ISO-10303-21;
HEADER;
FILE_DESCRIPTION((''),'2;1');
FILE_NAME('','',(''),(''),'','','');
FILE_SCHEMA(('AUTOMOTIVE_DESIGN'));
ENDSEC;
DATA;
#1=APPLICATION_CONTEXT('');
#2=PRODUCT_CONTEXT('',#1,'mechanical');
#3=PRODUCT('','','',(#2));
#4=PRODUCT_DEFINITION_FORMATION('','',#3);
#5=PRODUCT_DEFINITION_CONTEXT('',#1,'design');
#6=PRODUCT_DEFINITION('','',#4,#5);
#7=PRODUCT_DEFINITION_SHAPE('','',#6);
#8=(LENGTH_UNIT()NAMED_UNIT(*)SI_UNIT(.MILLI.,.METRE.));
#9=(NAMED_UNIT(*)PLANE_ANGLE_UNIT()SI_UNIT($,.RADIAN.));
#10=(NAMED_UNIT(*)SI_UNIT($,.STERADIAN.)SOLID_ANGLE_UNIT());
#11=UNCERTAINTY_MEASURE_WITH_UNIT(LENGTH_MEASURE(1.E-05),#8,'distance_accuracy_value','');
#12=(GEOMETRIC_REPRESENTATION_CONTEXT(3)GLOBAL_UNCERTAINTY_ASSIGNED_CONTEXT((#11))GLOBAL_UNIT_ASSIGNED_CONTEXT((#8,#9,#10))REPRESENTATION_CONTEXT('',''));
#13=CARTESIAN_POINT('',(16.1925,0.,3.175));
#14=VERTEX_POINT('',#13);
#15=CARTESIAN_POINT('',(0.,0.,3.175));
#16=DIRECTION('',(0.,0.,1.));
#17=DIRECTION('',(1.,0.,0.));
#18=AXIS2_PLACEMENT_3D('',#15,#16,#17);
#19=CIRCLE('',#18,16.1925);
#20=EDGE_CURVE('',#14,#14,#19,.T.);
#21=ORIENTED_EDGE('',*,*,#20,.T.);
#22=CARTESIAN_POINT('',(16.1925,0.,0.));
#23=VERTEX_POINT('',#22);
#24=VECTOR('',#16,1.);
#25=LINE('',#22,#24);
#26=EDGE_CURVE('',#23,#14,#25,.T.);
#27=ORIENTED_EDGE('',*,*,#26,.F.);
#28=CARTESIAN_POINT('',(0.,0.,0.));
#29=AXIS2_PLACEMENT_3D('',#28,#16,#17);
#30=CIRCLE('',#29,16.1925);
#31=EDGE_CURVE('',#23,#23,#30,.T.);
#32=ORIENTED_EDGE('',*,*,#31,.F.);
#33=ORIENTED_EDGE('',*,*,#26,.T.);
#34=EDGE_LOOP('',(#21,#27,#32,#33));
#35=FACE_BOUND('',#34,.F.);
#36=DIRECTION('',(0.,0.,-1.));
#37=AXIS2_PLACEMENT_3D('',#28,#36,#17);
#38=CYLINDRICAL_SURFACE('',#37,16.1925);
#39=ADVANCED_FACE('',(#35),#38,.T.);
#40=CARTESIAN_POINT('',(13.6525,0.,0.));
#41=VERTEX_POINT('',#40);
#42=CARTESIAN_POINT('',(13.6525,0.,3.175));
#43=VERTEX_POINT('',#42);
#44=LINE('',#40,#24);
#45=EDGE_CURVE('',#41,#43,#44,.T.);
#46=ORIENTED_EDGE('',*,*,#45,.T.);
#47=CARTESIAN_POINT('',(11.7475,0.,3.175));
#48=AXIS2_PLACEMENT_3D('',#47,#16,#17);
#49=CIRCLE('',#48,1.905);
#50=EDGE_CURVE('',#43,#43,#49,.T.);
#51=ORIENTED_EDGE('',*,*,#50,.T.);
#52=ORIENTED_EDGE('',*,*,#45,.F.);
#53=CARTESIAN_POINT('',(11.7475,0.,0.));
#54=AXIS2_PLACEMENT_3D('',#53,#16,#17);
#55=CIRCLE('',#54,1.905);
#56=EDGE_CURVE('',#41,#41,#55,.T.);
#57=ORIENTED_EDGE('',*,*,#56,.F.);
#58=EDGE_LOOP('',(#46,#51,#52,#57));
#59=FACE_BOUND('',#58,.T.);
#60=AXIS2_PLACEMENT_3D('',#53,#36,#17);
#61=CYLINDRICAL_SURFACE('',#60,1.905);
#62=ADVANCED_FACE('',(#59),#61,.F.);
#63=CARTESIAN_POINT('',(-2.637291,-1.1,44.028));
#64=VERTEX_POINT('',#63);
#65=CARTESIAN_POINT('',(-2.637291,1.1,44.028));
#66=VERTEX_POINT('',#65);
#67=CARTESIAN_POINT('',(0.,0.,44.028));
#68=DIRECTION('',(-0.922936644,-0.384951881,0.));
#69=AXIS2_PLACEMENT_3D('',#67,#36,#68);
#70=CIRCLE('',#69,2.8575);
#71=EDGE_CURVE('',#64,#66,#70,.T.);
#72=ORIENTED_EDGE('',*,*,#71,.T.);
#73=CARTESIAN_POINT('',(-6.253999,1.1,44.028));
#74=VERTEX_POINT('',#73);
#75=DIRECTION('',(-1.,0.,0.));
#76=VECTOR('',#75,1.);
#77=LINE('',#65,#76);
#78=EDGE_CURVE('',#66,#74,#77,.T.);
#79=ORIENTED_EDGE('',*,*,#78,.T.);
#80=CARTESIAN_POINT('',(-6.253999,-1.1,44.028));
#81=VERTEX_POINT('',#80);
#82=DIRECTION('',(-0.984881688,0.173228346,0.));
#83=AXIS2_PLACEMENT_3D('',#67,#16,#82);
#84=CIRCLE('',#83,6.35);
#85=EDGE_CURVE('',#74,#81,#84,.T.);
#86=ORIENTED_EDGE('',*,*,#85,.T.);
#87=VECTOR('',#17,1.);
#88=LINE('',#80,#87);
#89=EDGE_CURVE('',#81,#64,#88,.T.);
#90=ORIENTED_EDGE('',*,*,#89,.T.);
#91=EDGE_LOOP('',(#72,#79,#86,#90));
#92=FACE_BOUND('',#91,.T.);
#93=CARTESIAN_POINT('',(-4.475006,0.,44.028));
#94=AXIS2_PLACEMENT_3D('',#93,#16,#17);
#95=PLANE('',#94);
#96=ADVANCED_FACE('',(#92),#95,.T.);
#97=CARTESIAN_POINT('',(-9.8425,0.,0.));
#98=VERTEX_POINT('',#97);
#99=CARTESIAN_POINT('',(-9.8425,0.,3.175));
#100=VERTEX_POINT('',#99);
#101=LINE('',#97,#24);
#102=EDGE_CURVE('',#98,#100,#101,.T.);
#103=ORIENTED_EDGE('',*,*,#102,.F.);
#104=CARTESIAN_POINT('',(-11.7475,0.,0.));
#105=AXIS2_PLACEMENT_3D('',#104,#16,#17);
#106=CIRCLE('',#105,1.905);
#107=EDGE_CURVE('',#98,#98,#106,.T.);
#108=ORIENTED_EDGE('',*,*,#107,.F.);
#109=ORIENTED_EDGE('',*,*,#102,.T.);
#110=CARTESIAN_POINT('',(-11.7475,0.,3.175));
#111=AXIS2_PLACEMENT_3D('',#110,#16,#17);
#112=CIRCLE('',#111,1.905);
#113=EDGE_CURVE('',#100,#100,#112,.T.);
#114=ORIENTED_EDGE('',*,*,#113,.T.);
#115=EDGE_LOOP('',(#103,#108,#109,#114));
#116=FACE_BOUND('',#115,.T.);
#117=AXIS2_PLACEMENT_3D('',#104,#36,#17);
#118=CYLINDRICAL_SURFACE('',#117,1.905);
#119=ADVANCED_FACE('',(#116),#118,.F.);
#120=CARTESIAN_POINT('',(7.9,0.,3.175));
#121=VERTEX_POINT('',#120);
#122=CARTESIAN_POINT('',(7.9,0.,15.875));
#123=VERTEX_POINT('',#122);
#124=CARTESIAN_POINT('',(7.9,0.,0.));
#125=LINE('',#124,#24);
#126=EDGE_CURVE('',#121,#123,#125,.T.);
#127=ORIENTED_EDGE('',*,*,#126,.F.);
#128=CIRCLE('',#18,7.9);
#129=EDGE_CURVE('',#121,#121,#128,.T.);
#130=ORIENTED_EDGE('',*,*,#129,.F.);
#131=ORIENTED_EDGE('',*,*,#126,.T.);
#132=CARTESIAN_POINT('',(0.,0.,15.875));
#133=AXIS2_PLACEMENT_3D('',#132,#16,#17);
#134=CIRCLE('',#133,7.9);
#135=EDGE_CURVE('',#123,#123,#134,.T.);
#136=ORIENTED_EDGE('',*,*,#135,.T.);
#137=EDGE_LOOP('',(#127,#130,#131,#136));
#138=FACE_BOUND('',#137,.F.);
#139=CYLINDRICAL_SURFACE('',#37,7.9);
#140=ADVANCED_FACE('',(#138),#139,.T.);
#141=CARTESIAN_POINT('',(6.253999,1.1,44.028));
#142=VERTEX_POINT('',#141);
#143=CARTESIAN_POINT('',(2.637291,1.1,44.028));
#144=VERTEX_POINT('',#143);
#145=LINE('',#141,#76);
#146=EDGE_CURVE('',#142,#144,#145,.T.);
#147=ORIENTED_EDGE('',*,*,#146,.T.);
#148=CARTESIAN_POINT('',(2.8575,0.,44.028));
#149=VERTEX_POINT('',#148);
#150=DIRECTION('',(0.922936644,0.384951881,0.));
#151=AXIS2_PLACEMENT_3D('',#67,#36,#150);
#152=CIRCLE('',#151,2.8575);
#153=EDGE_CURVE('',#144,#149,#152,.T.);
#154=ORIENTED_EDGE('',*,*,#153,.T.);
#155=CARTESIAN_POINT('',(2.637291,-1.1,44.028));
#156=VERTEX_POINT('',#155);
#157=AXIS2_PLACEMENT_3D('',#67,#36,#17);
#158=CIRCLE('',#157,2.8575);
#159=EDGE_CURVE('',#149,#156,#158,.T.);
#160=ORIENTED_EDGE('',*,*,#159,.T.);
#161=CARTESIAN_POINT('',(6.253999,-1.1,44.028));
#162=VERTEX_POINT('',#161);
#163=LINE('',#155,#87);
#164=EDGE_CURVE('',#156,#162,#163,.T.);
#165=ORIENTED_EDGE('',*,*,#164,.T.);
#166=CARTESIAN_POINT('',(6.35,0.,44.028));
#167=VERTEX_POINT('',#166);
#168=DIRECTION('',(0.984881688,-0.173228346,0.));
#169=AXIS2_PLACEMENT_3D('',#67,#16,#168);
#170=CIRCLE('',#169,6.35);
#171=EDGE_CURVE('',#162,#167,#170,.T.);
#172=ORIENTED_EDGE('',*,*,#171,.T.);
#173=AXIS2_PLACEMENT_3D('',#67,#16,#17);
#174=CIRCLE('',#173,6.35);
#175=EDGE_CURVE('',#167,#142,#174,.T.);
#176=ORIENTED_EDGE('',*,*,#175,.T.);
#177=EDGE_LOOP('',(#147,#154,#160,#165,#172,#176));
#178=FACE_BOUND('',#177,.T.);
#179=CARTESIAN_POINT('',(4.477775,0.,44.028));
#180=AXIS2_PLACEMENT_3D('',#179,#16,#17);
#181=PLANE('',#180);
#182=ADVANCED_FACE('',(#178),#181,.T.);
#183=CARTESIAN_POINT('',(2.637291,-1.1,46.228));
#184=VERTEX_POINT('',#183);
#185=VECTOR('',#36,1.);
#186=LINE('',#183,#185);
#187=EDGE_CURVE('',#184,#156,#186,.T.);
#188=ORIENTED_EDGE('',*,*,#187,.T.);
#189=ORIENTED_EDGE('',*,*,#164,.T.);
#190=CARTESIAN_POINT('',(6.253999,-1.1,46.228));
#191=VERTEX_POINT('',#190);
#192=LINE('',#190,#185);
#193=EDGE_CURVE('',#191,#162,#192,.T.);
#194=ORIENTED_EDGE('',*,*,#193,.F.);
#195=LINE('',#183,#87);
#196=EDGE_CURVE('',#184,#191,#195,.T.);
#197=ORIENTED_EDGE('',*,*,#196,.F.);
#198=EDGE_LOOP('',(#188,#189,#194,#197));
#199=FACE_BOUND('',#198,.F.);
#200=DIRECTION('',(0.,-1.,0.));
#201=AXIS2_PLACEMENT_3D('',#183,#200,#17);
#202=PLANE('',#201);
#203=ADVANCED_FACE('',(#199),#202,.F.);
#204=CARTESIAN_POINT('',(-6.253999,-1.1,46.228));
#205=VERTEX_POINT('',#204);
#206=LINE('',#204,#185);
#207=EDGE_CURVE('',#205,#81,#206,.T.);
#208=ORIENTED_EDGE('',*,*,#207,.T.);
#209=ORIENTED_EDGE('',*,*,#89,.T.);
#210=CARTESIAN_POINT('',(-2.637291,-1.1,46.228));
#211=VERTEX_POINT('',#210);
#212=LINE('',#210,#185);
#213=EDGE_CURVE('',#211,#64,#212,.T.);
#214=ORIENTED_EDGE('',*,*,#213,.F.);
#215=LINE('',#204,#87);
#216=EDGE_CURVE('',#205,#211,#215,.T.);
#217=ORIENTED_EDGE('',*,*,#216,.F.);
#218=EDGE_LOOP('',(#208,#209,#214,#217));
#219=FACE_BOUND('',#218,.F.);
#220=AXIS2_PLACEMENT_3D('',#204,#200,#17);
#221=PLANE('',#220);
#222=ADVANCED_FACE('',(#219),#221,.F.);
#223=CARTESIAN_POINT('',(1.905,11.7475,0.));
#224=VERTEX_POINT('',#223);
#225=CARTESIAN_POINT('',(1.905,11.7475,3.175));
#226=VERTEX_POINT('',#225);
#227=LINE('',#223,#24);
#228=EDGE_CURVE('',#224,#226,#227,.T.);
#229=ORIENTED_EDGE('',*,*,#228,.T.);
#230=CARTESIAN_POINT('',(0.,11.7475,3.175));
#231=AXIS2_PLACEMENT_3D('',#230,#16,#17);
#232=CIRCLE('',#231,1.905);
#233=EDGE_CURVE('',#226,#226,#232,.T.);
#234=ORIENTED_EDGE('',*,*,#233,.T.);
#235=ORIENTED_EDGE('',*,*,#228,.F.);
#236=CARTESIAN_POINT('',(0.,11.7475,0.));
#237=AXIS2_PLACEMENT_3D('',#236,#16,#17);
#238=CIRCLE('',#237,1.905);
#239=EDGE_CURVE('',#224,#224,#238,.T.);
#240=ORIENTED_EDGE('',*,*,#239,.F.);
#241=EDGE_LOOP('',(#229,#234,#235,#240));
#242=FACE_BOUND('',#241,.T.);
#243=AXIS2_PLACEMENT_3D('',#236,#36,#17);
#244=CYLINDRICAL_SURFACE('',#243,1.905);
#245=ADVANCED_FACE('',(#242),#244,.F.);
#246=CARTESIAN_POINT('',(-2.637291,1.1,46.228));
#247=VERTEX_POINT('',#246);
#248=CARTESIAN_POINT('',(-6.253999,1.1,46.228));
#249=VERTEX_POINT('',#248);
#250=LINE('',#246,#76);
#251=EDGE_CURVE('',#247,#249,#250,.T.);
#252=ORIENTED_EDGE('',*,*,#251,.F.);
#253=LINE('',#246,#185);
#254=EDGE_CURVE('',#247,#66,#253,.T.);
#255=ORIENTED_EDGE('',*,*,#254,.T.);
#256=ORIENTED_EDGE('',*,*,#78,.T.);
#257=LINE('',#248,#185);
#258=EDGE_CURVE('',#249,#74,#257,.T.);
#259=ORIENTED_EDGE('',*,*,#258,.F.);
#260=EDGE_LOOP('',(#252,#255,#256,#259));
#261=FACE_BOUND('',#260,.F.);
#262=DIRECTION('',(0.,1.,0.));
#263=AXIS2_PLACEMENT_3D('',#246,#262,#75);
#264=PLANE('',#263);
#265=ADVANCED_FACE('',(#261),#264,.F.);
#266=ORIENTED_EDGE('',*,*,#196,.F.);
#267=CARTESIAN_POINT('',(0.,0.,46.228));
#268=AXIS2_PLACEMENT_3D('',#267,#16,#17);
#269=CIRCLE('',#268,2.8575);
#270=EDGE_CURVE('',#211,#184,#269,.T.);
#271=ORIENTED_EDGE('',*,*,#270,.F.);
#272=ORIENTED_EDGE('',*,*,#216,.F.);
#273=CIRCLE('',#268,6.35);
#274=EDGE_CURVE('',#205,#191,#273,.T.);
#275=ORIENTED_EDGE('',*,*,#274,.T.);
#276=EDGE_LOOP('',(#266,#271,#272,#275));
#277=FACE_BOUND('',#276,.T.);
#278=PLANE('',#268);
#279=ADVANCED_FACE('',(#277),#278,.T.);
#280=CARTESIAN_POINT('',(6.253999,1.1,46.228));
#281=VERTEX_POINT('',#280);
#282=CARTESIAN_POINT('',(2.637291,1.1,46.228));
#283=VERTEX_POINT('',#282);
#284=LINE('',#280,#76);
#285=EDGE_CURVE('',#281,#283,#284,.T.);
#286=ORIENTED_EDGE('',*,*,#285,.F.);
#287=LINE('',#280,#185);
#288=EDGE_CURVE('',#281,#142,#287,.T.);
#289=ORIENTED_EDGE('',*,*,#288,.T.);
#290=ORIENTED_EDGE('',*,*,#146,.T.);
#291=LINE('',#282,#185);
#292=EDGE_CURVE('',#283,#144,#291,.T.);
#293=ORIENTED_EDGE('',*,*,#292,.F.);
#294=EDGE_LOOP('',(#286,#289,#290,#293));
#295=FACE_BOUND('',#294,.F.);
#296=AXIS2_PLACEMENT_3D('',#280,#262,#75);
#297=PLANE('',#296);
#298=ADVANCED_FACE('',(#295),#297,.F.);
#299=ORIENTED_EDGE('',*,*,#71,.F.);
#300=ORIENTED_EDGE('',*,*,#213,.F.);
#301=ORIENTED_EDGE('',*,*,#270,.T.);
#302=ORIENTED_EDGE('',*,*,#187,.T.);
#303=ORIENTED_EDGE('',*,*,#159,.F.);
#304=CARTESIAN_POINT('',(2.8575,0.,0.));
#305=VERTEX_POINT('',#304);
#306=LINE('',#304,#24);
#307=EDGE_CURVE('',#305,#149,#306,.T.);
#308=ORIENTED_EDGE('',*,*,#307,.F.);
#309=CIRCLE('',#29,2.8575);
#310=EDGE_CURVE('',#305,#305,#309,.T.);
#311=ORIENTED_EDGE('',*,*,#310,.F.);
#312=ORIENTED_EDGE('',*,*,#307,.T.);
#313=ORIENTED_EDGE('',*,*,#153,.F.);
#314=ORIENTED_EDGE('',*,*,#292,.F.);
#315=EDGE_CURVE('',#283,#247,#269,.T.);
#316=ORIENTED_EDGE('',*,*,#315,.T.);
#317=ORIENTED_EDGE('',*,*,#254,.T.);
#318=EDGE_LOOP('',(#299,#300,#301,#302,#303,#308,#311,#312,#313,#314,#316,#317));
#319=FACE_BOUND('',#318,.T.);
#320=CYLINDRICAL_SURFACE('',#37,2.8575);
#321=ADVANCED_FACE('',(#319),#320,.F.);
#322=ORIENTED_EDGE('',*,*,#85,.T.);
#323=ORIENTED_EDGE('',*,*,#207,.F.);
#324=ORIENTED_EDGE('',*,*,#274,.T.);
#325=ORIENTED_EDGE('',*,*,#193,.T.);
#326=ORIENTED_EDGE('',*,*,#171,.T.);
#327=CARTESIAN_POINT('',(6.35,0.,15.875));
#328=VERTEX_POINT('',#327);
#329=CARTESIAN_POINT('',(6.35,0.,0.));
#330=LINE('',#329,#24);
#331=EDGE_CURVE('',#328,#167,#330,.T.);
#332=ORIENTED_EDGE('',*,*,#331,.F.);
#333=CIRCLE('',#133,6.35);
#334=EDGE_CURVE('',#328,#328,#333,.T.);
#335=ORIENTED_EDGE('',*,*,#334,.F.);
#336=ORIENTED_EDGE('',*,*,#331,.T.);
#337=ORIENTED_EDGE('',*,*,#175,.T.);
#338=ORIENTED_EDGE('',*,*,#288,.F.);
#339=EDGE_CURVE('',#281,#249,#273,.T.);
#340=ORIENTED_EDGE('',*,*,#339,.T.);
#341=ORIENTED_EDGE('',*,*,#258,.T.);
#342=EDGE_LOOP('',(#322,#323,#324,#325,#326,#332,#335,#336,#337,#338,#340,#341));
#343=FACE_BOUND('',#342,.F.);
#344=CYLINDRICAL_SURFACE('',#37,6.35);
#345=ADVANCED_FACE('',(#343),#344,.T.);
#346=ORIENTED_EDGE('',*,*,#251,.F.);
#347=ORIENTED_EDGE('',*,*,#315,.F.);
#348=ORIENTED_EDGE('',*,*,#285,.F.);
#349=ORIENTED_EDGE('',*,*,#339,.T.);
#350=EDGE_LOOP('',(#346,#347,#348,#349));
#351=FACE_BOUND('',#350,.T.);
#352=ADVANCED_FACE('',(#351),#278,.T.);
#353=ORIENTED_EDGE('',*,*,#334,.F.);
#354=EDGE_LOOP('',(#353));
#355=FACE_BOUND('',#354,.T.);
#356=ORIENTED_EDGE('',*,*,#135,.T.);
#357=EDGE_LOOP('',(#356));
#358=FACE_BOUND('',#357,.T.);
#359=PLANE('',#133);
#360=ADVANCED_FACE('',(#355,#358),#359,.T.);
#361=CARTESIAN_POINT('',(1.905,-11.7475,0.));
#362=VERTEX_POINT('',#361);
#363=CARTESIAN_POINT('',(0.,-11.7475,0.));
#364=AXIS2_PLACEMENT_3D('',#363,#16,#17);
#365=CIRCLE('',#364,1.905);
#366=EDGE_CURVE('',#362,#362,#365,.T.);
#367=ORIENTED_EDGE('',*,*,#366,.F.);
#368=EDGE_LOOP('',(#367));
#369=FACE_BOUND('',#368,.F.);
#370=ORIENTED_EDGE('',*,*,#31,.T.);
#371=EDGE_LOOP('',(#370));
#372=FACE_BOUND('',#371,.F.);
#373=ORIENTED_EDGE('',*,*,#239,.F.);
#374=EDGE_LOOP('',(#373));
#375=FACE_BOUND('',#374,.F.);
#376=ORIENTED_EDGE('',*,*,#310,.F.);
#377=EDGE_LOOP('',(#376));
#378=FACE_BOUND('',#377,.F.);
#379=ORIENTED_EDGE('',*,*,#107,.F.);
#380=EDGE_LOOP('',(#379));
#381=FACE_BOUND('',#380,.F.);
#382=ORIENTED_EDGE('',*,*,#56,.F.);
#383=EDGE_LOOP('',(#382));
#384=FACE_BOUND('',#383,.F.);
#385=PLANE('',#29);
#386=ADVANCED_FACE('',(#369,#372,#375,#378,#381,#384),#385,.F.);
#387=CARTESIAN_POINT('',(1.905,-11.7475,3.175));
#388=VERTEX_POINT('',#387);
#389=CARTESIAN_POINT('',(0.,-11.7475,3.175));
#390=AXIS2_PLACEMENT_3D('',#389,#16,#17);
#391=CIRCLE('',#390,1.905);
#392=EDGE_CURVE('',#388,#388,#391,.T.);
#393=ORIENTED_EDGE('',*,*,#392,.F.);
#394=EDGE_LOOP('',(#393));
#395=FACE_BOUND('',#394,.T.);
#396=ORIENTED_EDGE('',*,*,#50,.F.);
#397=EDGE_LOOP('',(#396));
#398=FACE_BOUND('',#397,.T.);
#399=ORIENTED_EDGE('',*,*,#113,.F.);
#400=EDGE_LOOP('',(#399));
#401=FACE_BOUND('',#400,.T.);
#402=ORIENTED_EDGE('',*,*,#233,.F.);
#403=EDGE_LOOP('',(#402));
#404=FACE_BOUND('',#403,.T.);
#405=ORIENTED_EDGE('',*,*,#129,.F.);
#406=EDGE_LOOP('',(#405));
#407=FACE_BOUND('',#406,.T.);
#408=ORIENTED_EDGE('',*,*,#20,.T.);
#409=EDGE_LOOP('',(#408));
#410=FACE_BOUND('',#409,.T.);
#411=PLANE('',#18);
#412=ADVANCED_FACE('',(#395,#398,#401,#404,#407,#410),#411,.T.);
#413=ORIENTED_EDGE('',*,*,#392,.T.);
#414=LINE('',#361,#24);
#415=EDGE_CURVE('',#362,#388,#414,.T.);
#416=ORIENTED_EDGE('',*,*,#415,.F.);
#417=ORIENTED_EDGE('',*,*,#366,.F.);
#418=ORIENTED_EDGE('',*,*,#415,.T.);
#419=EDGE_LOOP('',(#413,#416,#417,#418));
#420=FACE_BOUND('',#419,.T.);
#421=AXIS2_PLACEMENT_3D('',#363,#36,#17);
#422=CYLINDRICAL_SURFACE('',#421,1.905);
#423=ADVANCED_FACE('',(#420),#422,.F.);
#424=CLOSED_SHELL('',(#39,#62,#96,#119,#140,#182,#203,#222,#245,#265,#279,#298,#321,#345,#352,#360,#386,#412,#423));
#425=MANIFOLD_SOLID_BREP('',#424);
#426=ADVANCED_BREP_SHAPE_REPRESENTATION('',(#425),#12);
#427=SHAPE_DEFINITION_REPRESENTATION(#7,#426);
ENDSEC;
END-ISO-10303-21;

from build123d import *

# Parameters (mm, degrees)
F0_R     = 7.9
F0_R_2   = 6.35
F1_DEPTH = 15.875
F0_R_3   = 2.8575
F2_DEPTH = 46.228
F0_R_4   = 16.1925
F0_R_5   = 1.905
F4_DEPTH = 3.175
F6_DEPTH = 2.2


with BuildPart() as f1:
    # F0 (on Top) → F1 (new body)
    with BuildSketch(Plane.XY):
        Circle(F0_R)
        Circle(F0_R_2, mode=Mode.SUBTRACT)
    extrude(amount=F1_DEPTH)

    # F0 (on Top) → F2 (join)
    with BuildSketch(Plane.XY):
        Circle(F0_R_2)
        Circle(F0_R_3, mode=Mode.SUBTRACT)
    extrude(amount=F2_DEPTH)

    # F0 (on Top) → F4 (join)
    with BuildSketch(Plane.XY):
        Circle(F0_R_4)
        with Locations((0, -11.7475)):
            Circle(F0_R_5, mode=Mode.SUBTRACT)
        with Locations((-11.7475, 0)):
            Circle(F0_R_5, mode=Mode.SUBTRACT)
        Circle(F0_R, mode=Mode.SUBTRACT)
        with Locations((11.7475, 0)):
            Circle(F0_R_5, mode=Mode.SUBTRACT)
        with Locations((0, 11.7475)):
            Circle(F0_R_5, mode=Mode.SUBTRACT)
    extrude(amount=F4_DEPTH)

    # F5 (on face) → F6 (cut)
    with BuildSketch(Plane.XY.offset(46.228)):
        with BuildLine():
            ThreePointArc((6.35, 0), (6.3259541524, 0.5520906279), (6.2539987208, 1.1))
            Line((6.2539987208, 1.1), (2.637291461, 1.1))
            ThreePointArc((2.637291461, 1.1), (2.8019070827, 0.5609126048), (2.8575, 0))
            ThreePointArc((2.8575, 0), (2.8019070827, -0.5609126048), (2.637291461, -1.1))
            Line((2.637291461, -1.1), (6.2539987208, -1.1))
            ThreePointArc((6.2539987208, -1.1), (6.3259541524, -0.5520906279), (6.35, 0))
        make_face()
        with BuildLine():
            Line((-2.637291461, 1.1), (-6.2539987208, 1.1))
            ThreePointArc((-6.2539987208, 1.1), (-6.35, 0), (-6.2539987208, -1.1))
            Line((-6.2539987208, -1.1), (-2.637291461, -1.1))
            ThreePointArc((-2.637291461, -1.1), (-2.8575, 0), (-2.637291461, 1.1))
        make_face()
    extrude(amount=-F6_DEPTH, mode=Mode.SUBTRACT)


solid = f1.part
